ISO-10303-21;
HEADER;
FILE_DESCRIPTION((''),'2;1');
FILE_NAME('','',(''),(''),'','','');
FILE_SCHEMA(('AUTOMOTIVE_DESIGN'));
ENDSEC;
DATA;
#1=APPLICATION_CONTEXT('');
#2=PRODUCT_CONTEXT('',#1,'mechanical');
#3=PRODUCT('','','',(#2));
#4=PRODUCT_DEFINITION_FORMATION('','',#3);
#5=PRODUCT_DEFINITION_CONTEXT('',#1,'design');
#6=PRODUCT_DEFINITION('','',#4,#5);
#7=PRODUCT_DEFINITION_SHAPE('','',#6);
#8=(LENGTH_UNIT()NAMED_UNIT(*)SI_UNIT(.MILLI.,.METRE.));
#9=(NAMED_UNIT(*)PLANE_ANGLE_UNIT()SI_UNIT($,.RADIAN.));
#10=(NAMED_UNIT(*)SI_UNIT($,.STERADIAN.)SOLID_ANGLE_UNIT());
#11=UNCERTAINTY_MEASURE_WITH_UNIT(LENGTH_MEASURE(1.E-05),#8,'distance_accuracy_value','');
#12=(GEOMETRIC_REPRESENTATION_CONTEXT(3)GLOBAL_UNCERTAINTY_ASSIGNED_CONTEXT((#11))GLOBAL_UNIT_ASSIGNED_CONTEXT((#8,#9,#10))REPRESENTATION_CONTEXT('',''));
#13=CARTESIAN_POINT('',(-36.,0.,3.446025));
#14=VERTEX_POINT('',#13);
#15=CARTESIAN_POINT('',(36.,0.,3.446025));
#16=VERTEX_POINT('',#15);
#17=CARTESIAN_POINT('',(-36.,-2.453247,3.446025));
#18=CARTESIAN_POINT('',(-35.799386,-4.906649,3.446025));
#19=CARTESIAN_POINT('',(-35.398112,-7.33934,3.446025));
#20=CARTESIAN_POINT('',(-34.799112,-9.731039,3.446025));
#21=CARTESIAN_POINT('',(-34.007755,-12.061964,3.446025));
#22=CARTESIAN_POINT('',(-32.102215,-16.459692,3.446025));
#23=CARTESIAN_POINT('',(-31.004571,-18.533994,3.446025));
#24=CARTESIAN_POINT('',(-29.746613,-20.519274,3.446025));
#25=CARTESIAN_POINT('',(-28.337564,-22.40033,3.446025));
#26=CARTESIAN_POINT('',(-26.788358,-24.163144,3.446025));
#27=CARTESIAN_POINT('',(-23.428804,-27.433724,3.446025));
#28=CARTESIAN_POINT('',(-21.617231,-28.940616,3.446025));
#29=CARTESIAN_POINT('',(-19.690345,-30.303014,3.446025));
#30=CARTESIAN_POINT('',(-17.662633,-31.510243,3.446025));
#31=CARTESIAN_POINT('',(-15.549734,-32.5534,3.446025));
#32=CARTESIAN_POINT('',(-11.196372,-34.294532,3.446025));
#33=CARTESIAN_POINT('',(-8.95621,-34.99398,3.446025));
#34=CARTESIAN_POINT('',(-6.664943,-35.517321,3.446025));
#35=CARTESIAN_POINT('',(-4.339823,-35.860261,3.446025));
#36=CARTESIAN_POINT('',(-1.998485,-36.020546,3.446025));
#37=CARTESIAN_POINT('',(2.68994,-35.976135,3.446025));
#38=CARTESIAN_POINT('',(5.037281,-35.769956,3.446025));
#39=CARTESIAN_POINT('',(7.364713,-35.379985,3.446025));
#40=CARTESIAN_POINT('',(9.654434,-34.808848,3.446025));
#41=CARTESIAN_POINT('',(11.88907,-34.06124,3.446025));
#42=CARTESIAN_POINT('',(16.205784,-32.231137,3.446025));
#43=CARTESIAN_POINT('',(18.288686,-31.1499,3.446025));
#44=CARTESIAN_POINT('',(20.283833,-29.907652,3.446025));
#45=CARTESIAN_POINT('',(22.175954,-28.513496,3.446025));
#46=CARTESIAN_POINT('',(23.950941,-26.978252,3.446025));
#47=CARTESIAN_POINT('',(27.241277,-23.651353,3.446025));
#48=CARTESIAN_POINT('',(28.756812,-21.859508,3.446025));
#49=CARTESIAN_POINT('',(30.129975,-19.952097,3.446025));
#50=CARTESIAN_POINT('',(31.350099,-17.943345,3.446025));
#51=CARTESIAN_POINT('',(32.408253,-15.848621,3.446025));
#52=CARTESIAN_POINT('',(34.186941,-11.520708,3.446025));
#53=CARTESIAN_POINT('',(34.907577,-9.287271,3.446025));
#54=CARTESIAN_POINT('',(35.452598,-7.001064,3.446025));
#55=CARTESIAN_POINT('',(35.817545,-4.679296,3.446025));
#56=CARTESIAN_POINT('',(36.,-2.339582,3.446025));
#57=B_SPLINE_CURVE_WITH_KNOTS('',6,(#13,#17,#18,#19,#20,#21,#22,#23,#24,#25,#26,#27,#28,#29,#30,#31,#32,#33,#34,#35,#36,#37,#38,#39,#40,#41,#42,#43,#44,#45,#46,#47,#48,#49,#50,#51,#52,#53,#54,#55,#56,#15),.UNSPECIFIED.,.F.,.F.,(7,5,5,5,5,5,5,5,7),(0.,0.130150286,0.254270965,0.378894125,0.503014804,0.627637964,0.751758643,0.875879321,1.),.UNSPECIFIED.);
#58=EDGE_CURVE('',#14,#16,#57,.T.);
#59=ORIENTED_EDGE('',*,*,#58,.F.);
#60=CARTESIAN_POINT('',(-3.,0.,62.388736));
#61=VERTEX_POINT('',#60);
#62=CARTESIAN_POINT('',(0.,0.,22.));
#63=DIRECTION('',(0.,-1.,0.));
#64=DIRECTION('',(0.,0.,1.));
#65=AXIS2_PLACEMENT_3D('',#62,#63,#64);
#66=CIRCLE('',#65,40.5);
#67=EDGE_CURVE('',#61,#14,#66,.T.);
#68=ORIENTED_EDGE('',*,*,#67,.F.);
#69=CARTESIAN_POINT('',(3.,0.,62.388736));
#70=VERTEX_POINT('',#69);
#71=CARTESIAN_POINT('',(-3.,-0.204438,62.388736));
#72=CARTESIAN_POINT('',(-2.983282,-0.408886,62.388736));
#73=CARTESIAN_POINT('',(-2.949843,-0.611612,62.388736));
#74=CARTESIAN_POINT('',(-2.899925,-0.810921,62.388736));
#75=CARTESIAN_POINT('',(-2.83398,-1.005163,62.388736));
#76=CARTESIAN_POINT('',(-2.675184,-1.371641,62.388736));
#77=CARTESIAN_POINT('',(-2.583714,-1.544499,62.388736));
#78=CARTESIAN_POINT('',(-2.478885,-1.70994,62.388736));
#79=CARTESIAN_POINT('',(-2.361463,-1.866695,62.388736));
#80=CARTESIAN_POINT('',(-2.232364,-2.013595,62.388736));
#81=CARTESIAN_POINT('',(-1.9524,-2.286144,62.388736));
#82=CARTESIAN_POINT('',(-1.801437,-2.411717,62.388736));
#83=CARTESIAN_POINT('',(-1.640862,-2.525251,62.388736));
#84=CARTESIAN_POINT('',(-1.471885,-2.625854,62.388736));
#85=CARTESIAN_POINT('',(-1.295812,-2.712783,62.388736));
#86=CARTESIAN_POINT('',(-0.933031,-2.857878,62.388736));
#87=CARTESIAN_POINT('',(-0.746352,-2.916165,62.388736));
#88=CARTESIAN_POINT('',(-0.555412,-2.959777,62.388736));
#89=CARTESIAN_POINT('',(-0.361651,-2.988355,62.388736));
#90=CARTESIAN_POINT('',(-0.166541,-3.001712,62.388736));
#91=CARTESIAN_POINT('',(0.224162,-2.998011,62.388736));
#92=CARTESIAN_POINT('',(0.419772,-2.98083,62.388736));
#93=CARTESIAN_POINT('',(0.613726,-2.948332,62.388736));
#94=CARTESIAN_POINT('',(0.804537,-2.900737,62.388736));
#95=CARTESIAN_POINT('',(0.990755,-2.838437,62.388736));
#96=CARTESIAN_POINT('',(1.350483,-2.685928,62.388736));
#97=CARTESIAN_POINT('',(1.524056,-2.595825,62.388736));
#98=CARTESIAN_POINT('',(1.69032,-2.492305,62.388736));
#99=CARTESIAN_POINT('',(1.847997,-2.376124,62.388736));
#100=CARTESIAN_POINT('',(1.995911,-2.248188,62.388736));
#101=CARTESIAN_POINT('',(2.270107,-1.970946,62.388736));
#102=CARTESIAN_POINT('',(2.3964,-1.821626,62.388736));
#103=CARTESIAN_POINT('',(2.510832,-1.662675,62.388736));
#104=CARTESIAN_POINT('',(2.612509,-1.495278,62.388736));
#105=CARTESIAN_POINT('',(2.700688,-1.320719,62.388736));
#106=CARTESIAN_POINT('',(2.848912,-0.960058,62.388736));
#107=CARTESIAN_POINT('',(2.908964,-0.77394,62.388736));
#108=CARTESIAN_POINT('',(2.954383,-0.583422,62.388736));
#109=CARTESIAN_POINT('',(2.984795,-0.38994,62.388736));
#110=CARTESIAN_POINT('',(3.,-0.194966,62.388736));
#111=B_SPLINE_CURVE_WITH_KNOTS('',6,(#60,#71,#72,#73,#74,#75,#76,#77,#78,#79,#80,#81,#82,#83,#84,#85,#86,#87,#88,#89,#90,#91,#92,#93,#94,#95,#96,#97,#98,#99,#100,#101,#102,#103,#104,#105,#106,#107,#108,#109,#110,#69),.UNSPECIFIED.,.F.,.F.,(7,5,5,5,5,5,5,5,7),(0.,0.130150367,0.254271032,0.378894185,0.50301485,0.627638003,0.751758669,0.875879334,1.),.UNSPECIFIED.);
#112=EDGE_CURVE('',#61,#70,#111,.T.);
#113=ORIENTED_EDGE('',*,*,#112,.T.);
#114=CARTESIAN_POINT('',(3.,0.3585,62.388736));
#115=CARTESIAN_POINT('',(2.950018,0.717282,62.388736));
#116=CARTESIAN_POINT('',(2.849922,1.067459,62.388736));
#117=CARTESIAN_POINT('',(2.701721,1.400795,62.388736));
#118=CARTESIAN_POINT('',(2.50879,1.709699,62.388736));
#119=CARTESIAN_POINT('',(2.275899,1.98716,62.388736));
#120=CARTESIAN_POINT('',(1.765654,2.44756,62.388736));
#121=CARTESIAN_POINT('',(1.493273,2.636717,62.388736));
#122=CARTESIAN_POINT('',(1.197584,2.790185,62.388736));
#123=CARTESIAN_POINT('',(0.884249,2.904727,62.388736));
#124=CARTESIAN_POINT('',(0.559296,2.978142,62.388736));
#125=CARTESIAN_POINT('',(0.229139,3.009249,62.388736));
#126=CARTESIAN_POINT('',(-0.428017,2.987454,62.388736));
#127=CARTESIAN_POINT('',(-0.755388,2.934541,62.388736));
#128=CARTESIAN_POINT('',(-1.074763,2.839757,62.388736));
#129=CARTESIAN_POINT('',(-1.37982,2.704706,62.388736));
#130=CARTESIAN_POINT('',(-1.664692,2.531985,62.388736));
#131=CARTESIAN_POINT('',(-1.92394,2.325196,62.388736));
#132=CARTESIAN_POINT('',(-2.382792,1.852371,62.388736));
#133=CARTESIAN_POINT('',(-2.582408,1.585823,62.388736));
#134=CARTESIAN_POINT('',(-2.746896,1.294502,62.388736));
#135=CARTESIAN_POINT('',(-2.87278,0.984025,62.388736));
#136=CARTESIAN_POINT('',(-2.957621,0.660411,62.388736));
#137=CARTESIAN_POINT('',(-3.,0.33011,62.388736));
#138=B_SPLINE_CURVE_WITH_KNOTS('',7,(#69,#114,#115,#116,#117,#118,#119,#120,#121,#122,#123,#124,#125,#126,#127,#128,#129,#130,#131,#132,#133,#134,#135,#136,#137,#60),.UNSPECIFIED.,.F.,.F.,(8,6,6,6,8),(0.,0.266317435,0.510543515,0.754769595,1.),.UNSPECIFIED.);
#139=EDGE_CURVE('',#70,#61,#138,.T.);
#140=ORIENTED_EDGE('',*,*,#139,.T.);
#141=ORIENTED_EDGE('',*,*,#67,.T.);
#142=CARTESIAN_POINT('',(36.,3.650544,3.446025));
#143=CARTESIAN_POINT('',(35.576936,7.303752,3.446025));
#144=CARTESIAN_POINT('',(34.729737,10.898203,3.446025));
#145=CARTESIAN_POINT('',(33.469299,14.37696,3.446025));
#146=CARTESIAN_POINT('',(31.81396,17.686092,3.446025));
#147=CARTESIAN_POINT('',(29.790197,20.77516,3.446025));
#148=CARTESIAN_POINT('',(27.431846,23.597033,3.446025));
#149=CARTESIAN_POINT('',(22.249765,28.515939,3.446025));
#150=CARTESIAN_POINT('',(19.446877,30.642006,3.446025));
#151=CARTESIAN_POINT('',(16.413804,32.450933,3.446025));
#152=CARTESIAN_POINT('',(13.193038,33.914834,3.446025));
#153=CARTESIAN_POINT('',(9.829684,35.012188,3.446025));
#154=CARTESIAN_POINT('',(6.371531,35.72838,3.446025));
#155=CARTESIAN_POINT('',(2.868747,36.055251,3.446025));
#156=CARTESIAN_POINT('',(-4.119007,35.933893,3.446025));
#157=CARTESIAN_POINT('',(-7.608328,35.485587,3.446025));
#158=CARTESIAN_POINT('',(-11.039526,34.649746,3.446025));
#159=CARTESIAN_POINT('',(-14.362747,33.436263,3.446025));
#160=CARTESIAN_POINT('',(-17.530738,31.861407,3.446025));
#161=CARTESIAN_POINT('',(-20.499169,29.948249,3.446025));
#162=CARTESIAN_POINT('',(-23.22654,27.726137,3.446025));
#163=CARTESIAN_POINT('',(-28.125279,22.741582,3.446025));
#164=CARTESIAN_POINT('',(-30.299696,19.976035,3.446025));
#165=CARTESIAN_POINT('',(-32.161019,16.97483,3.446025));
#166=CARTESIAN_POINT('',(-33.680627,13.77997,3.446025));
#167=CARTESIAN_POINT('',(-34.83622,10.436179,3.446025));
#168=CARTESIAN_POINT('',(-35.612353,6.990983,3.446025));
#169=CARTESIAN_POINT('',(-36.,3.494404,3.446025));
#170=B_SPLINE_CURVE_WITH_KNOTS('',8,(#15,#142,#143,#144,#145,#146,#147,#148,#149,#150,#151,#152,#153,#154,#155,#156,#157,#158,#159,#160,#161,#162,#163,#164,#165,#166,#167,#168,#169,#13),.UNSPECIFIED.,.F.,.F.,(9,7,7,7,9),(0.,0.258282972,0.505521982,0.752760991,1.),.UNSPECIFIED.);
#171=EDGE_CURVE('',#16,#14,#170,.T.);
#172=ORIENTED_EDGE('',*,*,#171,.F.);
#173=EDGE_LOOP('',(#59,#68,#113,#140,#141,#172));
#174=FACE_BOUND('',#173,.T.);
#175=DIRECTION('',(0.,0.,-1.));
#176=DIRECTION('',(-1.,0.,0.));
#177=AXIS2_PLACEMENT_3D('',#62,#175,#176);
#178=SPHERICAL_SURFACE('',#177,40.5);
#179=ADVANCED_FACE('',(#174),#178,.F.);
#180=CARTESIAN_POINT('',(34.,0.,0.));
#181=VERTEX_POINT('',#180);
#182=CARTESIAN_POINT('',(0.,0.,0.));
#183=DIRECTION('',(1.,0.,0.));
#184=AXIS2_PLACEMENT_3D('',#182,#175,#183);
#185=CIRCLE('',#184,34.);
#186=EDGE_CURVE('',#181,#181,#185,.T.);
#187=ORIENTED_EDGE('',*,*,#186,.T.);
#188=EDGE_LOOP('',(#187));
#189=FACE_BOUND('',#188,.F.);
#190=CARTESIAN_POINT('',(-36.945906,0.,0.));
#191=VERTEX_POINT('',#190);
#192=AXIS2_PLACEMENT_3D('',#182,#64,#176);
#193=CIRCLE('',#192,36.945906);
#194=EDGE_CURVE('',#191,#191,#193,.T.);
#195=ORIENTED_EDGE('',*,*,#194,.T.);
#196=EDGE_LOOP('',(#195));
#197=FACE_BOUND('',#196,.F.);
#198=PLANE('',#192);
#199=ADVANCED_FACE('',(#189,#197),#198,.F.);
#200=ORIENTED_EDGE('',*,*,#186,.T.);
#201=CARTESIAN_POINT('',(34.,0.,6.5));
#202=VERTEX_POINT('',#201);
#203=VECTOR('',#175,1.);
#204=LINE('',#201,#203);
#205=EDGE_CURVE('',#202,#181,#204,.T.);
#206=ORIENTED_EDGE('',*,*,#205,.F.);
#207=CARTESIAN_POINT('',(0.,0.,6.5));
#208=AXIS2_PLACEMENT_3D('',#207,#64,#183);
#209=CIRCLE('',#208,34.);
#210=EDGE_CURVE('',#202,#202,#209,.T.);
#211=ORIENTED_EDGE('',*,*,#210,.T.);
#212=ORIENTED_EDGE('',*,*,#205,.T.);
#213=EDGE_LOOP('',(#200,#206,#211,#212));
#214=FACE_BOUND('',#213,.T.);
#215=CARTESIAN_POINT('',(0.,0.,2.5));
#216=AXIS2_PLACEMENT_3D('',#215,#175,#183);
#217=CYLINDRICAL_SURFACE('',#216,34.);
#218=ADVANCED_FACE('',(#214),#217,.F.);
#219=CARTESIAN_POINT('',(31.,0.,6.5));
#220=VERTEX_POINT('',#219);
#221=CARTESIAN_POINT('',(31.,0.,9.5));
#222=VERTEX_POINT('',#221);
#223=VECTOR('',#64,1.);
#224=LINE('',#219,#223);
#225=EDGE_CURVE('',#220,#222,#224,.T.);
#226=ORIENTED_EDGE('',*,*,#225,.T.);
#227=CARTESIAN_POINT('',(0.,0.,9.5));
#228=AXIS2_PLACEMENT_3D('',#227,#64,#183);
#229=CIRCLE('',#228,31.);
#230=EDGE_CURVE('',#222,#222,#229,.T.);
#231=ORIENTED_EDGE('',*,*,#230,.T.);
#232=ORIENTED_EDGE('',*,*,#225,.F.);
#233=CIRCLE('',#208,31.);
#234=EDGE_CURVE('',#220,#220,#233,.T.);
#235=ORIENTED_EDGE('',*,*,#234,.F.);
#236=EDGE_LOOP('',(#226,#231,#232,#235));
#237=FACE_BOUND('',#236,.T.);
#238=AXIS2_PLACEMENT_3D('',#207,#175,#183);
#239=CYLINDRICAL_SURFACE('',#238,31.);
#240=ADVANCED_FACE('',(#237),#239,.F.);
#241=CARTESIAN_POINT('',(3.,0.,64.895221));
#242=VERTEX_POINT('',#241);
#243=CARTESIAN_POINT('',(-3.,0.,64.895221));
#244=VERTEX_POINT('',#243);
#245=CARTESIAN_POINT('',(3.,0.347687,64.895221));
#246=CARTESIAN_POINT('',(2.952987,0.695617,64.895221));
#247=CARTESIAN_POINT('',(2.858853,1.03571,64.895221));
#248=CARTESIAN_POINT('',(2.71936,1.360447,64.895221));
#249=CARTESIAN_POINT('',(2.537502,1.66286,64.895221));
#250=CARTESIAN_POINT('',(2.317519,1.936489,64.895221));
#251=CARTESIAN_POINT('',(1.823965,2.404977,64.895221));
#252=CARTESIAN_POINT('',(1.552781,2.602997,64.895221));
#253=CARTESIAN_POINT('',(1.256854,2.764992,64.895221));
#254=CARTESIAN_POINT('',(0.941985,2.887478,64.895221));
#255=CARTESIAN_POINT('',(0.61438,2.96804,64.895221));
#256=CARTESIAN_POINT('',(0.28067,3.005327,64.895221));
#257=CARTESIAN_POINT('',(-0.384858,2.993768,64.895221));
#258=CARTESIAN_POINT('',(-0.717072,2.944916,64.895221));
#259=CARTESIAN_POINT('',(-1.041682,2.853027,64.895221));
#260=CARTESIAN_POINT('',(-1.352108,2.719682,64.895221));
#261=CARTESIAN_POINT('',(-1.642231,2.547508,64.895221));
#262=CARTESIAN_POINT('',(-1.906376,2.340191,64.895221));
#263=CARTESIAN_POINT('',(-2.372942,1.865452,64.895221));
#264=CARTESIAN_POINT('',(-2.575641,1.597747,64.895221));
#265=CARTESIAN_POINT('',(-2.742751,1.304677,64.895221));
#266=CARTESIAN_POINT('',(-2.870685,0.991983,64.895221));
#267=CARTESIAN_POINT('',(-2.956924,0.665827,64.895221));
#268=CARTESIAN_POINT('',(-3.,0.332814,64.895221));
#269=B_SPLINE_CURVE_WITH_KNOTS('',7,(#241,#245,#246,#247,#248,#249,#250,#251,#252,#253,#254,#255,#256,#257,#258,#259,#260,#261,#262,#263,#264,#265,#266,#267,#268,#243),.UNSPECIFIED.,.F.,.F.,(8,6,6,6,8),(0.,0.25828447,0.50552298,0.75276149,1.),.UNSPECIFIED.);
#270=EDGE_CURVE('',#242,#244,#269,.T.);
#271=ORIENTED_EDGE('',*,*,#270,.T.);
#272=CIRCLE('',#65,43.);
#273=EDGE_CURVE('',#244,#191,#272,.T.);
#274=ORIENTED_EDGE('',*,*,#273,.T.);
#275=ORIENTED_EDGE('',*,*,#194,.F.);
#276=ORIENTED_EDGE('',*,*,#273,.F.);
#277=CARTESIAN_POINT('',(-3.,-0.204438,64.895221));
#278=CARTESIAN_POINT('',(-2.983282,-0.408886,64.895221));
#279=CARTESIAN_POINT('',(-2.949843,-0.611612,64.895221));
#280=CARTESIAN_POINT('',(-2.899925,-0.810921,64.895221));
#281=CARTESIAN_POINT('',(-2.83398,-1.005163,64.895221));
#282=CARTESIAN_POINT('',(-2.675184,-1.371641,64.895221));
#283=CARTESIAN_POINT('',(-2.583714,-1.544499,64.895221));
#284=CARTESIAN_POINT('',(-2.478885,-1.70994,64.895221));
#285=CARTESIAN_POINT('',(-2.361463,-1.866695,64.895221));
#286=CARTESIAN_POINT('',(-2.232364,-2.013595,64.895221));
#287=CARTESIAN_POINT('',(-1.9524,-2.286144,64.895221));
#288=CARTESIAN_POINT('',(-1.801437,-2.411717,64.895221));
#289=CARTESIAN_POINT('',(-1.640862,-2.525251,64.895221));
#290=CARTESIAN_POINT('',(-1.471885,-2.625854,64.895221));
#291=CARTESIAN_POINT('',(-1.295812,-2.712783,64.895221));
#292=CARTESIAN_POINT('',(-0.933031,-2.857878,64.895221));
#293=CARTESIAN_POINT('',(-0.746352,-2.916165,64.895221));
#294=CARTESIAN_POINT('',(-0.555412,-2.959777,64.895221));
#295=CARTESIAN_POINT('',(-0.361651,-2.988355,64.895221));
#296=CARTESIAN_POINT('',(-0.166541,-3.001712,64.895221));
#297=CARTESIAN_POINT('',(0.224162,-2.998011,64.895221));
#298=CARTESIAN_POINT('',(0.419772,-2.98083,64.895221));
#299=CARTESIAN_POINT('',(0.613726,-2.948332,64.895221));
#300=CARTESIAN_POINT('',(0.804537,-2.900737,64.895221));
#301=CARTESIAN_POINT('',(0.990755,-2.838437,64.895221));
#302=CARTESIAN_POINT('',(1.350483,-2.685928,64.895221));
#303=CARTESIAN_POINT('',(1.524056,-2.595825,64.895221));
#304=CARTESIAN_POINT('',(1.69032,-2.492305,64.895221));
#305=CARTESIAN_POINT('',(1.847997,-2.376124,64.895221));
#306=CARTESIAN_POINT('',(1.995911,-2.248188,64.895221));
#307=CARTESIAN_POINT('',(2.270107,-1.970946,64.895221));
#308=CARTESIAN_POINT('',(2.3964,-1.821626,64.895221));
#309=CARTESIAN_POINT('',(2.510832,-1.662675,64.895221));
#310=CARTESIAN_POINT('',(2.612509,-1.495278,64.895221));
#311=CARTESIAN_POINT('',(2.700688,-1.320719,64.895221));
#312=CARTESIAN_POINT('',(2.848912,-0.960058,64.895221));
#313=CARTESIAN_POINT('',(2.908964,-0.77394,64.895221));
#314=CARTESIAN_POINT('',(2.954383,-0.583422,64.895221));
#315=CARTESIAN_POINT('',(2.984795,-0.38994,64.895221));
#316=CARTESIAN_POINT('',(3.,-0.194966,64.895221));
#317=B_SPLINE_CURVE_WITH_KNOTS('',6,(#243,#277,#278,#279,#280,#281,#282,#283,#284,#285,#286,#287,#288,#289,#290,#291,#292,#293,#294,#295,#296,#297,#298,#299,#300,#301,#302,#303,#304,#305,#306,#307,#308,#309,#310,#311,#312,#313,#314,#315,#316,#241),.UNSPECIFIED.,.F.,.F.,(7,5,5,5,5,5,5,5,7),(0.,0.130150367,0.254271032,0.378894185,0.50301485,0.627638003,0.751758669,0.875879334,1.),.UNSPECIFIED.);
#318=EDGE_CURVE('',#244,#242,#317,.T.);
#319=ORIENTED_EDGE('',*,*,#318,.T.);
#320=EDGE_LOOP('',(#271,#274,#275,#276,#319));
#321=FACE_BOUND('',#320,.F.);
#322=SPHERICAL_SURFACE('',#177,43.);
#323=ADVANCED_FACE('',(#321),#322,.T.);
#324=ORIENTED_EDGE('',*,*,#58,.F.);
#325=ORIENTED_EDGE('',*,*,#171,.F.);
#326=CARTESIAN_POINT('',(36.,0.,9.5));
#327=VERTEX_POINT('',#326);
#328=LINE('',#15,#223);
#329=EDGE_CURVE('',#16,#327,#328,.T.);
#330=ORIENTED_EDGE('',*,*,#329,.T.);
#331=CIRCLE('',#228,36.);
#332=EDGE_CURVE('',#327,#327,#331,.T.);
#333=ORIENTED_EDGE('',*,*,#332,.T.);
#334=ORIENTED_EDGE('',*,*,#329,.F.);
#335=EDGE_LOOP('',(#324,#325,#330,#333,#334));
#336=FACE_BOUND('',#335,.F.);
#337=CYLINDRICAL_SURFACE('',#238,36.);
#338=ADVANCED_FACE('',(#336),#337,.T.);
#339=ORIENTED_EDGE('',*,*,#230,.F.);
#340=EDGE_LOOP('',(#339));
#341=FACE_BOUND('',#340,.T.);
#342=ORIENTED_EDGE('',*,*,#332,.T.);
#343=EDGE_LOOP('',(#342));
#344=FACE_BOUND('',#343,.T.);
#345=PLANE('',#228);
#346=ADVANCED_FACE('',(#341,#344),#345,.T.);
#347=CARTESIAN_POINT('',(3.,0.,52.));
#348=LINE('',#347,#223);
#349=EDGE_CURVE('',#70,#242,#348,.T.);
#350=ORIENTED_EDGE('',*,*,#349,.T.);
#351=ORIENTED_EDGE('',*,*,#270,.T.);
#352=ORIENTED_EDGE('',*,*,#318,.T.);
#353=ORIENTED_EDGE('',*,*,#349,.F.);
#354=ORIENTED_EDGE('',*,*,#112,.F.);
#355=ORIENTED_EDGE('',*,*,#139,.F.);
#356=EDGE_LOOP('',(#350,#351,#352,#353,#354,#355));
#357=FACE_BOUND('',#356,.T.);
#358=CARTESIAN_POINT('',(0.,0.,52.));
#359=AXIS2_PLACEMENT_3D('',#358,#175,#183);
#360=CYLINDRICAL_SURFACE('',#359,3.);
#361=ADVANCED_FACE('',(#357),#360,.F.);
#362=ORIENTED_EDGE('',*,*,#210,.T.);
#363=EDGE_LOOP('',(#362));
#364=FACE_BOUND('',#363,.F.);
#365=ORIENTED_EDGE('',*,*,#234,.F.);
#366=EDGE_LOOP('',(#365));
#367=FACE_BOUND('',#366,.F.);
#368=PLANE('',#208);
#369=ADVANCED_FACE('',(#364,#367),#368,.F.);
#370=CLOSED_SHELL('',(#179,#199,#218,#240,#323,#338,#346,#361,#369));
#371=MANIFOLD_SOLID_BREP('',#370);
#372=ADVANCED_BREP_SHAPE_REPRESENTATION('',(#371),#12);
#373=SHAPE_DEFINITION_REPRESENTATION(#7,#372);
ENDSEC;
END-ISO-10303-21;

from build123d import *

# Parameters (mm, degrees)
F2_T      = -2.5
F3_R      = 34
F4_DEPTH  = 4.2
F6_R      = 3
F7_DEPTH  = 14
F8_R      = 36
F8_R_2    = 34
F9_DEPTH  = 4
F10_R     = 36
F10_R_2   = 31
F11_DEPTH = 3


with BuildPart() as f1:
    # F0 (on Front) → F1 (revolve)
    with BuildSketch(Plane.XZ):
        with BuildLine():
            Line((0, 0), (0, 65))
            ThreePointArc((0, 65), (-37.383151285, 43.2485293609), (-36.9459064038, 0))
            Line((-36.9459064038, 0), (0, 0))
        make_face()
    revolve(axis=Axis((0, 0, 20.3252808475), (0, 0, 1)))

    # F2 (hollow: no face is removed)
    offset(amount=F2_T, mode=Mode.SUBTRACT)

    # F3 (on face) → F4 (cut)
    with BuildSketch(Plane(origin=(0, 0, 0), x_dir=(1, 0, 0), z_dir=(0, 0, -1))):
        Circle(F3_R)
    extrude(amount=-F4_DEPTH, mode=Mode.SUBTRACT)

    # F6 (on offset) → F7 (cut)
    with BuildSketch(Plane.XY.offset(52)):
        Circle(F6_R)
    extrude(amount=F7_DEPTH, mode=Mode.SUBTRACT)

    # F8 (on face) → F9 (join)
    with BuildSketch(Plane.XY.offset(2.5)):
        Circle(F8_R)
        Circle(F8_R_2, mode=Mode.SUBTRACT)
    extrude(amount=F9_DEPTH)

    # F10 (on face) → F11 (join)
    with BuildSketch(Plane.XY.offset(6.5)):
        Circle(F10_R)
        Circle(F10_R_2, mode=Mode.SUBTRACT)
    extrude(amount=F11_DEPTH)


solid = f1.part
